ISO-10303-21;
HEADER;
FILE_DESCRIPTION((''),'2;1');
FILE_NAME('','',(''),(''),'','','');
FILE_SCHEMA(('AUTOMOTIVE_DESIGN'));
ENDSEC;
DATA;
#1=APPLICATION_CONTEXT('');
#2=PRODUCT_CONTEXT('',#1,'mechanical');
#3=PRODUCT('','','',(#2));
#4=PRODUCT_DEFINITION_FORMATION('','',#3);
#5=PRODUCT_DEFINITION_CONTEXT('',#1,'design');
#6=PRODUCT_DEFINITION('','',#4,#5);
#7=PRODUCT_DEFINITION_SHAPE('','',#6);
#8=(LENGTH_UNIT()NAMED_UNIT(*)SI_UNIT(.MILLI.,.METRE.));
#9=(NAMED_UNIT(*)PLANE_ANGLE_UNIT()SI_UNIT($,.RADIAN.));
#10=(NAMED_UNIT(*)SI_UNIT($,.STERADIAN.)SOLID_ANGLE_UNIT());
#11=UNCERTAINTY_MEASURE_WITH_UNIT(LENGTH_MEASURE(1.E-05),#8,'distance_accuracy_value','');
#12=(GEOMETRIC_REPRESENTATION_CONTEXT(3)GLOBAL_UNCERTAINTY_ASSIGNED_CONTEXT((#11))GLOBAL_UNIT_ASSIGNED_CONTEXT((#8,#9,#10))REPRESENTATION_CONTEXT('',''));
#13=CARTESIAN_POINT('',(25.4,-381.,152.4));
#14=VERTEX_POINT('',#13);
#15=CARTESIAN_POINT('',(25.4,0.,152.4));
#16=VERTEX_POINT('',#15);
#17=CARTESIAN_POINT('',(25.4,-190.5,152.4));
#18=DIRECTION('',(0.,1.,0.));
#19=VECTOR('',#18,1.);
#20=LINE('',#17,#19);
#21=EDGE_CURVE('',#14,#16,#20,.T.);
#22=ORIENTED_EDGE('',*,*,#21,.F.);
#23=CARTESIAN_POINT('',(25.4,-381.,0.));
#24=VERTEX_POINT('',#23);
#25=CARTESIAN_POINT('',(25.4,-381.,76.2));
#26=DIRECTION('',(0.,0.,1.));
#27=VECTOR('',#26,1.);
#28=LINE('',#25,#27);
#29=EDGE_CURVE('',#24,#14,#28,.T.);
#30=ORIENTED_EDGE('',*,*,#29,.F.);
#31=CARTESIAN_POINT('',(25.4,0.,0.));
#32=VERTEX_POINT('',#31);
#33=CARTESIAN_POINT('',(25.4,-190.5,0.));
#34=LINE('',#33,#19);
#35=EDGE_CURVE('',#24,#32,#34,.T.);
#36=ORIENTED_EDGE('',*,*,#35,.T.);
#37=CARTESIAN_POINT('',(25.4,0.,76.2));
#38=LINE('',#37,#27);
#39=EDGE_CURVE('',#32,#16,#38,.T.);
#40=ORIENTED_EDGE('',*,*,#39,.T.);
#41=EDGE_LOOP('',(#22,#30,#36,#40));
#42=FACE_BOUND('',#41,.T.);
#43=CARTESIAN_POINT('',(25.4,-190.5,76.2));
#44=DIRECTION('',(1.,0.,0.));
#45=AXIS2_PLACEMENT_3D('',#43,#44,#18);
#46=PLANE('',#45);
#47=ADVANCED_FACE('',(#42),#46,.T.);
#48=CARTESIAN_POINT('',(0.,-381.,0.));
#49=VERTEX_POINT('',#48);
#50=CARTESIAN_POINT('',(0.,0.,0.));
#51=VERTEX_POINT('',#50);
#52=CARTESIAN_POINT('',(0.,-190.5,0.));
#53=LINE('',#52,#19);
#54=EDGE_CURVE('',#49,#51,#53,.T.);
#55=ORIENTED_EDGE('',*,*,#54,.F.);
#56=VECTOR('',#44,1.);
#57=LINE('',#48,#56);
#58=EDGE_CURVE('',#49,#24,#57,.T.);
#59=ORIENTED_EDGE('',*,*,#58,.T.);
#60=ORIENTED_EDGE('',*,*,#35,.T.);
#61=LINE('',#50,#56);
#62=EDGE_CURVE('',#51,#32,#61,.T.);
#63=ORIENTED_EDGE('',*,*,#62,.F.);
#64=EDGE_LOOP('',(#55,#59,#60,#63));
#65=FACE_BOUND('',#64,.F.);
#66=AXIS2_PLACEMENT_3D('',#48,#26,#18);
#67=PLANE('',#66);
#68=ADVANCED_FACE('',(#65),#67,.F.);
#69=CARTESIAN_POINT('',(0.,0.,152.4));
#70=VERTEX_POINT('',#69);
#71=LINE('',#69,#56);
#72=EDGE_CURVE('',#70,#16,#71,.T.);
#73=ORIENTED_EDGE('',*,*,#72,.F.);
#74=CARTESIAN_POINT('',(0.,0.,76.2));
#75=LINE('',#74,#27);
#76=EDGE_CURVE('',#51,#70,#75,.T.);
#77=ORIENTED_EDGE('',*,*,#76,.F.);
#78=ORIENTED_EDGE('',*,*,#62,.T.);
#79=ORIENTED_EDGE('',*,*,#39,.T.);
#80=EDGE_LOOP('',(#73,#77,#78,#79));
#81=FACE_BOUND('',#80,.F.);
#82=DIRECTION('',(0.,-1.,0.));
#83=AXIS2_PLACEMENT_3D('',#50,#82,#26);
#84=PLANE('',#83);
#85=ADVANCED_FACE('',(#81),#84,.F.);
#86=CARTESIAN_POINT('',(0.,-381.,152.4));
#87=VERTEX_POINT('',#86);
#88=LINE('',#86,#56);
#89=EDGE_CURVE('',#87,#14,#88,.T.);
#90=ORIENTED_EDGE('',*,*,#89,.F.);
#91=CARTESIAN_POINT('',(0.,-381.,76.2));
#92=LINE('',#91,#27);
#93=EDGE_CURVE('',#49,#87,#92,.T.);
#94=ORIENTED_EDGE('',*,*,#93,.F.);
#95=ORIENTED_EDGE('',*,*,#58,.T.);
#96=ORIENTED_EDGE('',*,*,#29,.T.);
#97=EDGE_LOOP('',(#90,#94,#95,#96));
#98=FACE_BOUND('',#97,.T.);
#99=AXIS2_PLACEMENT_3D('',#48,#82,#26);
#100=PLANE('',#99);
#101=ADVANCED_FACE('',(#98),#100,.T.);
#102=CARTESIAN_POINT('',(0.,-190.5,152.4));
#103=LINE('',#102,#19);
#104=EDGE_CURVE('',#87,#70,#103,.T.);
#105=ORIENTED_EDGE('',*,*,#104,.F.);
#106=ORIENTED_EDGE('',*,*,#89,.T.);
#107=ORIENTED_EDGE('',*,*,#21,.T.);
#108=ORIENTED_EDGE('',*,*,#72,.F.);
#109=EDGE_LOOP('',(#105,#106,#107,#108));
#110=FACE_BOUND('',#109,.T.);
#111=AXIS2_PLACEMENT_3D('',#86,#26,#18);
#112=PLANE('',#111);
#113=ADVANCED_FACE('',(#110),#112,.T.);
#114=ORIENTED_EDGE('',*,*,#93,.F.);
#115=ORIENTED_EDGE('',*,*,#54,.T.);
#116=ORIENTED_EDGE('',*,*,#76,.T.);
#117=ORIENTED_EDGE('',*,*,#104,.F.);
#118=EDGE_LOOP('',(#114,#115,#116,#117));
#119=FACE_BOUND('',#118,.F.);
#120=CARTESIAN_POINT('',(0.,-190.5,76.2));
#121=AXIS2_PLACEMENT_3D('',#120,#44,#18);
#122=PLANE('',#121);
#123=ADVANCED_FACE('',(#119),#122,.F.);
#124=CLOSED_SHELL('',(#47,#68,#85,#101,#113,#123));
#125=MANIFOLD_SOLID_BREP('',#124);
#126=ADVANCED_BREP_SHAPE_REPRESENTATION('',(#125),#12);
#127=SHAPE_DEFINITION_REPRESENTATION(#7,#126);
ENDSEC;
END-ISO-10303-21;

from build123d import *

# Parameters (mm, degrees)
F0_W     = 381
F0_H     = 152.4
F1_DEPTH = 25.4
F3_W     = 381
F3_H     = 152.4
F4_DEPTH = 25.4


with BuildPart() as f1:
    # F0 (on Front) → F1 (new body)
    with BuildSketch(Plane.XZ):
        with Locations((-82.7160514891, -6.6580822694)):
            Rectangle(F0_W, F0_H)
    extrude(amount=F1_DEPTH)


with BuildPart() as f4:
    # F3 (on Right) → F4 (new body)
    with BuildSketch(Plane.YZ):
        with Locations((-190.5, 76.2)):
            Rectangle(F3_W, F3_H)
    extrude(amount=F4_DEPTH)


solid = f4.part
